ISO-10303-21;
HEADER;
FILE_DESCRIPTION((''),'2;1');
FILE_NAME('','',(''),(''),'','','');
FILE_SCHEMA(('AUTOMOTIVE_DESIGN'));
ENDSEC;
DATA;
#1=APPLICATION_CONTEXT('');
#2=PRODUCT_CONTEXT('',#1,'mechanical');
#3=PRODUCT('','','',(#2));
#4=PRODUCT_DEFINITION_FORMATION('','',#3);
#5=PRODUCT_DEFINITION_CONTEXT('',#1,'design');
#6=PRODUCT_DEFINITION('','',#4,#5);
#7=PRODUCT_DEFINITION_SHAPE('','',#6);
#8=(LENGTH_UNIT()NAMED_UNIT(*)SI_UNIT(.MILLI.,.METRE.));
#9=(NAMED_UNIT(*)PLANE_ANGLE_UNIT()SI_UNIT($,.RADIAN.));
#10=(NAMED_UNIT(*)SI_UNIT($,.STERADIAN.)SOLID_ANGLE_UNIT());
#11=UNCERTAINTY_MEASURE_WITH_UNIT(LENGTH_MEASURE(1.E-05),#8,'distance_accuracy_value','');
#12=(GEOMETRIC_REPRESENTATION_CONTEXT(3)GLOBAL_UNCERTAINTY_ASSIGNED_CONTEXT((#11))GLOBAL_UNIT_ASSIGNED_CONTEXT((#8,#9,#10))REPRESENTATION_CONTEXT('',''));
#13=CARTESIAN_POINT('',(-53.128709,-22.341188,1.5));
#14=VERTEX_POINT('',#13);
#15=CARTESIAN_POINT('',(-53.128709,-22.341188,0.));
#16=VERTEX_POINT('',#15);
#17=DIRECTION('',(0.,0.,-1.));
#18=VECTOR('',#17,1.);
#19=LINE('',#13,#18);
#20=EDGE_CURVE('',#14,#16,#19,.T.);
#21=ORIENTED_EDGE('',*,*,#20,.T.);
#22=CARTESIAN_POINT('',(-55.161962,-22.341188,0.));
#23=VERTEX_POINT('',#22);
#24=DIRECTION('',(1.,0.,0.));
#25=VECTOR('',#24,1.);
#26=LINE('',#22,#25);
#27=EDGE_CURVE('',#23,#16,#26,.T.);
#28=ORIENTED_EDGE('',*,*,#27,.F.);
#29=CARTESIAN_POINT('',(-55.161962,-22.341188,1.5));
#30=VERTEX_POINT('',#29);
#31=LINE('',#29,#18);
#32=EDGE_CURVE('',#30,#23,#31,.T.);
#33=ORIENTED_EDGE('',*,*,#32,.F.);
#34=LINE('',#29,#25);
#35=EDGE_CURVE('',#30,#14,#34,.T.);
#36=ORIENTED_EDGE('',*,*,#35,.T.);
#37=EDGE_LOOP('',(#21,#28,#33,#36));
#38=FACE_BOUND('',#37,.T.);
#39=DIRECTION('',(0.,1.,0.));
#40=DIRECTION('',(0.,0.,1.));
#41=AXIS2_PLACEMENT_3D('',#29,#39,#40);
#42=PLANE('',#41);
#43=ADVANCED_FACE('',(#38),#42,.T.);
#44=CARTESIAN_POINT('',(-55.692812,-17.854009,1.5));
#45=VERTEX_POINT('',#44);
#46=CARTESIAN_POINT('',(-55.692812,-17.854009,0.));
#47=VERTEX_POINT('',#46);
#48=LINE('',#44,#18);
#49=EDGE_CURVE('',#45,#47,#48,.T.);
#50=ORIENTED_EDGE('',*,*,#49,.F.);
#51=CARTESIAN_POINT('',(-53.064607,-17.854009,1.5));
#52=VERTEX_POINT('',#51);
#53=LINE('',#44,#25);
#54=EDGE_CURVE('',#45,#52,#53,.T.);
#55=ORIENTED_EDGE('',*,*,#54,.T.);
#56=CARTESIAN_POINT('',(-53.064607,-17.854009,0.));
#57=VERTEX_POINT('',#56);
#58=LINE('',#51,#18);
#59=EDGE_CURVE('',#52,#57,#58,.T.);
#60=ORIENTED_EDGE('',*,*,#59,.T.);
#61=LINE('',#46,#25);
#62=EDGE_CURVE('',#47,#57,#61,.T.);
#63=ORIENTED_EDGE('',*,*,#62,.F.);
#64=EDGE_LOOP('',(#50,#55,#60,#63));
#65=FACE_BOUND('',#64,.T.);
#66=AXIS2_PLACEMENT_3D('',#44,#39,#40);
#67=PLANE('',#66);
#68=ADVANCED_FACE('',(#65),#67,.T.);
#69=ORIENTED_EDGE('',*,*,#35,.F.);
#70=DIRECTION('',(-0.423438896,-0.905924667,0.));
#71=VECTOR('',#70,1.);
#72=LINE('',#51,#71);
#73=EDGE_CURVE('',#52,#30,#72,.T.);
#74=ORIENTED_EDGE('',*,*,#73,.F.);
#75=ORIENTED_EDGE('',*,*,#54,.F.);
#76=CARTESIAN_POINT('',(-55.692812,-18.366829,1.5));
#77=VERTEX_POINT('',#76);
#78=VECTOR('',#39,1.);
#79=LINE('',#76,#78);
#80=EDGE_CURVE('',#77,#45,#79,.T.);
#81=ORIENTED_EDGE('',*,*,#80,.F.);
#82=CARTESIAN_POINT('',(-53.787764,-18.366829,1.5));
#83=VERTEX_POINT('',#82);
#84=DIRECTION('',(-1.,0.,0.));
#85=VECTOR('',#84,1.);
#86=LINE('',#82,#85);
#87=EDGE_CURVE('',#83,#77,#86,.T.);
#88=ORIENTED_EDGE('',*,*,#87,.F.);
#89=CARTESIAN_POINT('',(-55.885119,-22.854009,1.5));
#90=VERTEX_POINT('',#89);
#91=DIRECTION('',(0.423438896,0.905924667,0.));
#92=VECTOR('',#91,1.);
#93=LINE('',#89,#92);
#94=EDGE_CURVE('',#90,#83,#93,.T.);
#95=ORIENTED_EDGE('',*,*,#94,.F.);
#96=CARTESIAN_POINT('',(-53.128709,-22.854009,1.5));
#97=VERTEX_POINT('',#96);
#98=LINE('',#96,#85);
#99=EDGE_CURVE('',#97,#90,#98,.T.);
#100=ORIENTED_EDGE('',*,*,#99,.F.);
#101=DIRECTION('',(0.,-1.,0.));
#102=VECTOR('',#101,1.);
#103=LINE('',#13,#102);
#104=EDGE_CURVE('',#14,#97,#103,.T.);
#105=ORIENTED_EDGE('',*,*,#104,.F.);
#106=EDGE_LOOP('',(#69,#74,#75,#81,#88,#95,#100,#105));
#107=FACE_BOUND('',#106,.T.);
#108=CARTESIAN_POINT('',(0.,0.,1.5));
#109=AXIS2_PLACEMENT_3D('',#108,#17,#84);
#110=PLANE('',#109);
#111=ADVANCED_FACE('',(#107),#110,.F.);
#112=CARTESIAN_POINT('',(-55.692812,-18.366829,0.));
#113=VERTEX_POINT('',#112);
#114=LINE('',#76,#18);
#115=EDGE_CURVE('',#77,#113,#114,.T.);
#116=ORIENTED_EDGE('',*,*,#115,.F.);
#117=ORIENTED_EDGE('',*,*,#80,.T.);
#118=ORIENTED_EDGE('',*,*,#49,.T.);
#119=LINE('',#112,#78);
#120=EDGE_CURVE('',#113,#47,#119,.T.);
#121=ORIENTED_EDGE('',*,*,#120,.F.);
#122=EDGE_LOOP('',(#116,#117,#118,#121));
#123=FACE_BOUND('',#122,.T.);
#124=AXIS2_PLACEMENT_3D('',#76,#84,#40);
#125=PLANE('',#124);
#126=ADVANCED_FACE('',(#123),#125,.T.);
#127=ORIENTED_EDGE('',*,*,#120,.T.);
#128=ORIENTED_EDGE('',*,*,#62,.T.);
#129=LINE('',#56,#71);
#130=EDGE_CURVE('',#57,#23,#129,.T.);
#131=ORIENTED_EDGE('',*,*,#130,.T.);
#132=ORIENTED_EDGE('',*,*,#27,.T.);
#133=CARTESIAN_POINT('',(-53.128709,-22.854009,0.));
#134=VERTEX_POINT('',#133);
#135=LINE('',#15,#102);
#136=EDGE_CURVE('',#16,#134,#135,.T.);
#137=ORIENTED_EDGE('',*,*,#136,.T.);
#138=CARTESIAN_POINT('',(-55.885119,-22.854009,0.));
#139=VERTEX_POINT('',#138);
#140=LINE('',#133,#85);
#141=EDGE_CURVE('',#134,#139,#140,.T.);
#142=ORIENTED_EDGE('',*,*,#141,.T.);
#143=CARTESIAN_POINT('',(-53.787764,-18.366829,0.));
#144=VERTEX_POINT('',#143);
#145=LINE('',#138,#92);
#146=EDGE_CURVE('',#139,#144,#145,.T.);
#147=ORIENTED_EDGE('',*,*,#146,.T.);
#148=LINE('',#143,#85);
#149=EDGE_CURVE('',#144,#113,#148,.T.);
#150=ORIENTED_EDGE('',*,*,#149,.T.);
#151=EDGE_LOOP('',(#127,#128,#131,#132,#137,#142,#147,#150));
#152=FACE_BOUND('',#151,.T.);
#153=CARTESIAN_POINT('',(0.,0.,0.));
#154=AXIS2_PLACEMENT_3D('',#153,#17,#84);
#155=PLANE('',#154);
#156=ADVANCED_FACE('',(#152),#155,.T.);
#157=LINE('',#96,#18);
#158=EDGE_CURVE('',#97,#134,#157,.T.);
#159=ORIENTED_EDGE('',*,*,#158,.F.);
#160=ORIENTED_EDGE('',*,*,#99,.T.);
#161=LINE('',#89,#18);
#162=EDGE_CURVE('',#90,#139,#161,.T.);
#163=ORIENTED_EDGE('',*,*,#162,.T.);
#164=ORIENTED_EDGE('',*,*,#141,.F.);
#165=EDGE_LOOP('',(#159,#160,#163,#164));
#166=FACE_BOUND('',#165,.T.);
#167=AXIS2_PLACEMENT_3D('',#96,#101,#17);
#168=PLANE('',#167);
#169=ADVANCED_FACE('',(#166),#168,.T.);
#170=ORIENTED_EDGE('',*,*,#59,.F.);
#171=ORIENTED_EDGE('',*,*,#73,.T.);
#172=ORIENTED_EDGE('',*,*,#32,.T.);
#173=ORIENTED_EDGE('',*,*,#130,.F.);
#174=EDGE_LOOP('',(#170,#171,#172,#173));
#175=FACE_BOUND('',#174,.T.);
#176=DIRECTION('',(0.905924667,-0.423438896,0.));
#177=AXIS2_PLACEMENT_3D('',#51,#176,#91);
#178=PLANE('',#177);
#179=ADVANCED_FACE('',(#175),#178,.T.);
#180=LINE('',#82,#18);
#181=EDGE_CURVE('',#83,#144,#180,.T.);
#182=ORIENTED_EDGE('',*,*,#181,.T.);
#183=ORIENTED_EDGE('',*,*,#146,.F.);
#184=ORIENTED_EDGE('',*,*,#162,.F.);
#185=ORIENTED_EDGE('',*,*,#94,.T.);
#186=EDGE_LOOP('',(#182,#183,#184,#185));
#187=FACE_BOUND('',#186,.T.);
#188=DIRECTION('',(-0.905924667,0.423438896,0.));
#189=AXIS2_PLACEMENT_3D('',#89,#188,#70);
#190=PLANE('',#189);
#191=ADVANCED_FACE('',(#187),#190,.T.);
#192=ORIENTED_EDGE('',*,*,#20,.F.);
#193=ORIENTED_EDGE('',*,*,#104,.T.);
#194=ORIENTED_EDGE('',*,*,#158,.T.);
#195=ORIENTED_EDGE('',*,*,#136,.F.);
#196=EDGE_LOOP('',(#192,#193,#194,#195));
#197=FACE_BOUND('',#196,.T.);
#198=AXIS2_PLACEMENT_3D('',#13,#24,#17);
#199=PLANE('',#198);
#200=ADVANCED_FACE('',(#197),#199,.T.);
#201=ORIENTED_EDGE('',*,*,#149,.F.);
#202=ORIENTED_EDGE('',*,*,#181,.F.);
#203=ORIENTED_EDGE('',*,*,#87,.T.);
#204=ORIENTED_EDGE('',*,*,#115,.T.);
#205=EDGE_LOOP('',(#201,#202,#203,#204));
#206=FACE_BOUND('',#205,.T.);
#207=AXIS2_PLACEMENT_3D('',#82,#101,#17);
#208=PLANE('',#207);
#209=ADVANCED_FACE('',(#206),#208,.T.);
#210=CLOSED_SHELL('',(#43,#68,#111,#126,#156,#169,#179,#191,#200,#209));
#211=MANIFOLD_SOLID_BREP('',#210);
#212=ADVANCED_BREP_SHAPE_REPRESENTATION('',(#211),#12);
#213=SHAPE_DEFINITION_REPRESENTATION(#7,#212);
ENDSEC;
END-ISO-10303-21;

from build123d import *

# Parameters (mm, degrees)
BOSS_EXTRU_1_DEPTH = 1.5


with BuildPart() as part:
    # Esquisse1 → Boss.-Extru.1 (new body)
    with BuildSketch(Plane.XY):
        Polygon((-55.692811662, -18.366829234), (-55.692811662, -17.854008721), (-53.064606534, -17.854008721), (-55.161962303, -22.341188208), (-53.128709098, -22.341188208), (-53.128709098, -22.854008721), (-55.885119354, -22.854008721), (-53.787763585, -18.366829234), align=None)
    extrude(amount=BOSS_EXTRU_1_DEPTH)


solid = part.part
